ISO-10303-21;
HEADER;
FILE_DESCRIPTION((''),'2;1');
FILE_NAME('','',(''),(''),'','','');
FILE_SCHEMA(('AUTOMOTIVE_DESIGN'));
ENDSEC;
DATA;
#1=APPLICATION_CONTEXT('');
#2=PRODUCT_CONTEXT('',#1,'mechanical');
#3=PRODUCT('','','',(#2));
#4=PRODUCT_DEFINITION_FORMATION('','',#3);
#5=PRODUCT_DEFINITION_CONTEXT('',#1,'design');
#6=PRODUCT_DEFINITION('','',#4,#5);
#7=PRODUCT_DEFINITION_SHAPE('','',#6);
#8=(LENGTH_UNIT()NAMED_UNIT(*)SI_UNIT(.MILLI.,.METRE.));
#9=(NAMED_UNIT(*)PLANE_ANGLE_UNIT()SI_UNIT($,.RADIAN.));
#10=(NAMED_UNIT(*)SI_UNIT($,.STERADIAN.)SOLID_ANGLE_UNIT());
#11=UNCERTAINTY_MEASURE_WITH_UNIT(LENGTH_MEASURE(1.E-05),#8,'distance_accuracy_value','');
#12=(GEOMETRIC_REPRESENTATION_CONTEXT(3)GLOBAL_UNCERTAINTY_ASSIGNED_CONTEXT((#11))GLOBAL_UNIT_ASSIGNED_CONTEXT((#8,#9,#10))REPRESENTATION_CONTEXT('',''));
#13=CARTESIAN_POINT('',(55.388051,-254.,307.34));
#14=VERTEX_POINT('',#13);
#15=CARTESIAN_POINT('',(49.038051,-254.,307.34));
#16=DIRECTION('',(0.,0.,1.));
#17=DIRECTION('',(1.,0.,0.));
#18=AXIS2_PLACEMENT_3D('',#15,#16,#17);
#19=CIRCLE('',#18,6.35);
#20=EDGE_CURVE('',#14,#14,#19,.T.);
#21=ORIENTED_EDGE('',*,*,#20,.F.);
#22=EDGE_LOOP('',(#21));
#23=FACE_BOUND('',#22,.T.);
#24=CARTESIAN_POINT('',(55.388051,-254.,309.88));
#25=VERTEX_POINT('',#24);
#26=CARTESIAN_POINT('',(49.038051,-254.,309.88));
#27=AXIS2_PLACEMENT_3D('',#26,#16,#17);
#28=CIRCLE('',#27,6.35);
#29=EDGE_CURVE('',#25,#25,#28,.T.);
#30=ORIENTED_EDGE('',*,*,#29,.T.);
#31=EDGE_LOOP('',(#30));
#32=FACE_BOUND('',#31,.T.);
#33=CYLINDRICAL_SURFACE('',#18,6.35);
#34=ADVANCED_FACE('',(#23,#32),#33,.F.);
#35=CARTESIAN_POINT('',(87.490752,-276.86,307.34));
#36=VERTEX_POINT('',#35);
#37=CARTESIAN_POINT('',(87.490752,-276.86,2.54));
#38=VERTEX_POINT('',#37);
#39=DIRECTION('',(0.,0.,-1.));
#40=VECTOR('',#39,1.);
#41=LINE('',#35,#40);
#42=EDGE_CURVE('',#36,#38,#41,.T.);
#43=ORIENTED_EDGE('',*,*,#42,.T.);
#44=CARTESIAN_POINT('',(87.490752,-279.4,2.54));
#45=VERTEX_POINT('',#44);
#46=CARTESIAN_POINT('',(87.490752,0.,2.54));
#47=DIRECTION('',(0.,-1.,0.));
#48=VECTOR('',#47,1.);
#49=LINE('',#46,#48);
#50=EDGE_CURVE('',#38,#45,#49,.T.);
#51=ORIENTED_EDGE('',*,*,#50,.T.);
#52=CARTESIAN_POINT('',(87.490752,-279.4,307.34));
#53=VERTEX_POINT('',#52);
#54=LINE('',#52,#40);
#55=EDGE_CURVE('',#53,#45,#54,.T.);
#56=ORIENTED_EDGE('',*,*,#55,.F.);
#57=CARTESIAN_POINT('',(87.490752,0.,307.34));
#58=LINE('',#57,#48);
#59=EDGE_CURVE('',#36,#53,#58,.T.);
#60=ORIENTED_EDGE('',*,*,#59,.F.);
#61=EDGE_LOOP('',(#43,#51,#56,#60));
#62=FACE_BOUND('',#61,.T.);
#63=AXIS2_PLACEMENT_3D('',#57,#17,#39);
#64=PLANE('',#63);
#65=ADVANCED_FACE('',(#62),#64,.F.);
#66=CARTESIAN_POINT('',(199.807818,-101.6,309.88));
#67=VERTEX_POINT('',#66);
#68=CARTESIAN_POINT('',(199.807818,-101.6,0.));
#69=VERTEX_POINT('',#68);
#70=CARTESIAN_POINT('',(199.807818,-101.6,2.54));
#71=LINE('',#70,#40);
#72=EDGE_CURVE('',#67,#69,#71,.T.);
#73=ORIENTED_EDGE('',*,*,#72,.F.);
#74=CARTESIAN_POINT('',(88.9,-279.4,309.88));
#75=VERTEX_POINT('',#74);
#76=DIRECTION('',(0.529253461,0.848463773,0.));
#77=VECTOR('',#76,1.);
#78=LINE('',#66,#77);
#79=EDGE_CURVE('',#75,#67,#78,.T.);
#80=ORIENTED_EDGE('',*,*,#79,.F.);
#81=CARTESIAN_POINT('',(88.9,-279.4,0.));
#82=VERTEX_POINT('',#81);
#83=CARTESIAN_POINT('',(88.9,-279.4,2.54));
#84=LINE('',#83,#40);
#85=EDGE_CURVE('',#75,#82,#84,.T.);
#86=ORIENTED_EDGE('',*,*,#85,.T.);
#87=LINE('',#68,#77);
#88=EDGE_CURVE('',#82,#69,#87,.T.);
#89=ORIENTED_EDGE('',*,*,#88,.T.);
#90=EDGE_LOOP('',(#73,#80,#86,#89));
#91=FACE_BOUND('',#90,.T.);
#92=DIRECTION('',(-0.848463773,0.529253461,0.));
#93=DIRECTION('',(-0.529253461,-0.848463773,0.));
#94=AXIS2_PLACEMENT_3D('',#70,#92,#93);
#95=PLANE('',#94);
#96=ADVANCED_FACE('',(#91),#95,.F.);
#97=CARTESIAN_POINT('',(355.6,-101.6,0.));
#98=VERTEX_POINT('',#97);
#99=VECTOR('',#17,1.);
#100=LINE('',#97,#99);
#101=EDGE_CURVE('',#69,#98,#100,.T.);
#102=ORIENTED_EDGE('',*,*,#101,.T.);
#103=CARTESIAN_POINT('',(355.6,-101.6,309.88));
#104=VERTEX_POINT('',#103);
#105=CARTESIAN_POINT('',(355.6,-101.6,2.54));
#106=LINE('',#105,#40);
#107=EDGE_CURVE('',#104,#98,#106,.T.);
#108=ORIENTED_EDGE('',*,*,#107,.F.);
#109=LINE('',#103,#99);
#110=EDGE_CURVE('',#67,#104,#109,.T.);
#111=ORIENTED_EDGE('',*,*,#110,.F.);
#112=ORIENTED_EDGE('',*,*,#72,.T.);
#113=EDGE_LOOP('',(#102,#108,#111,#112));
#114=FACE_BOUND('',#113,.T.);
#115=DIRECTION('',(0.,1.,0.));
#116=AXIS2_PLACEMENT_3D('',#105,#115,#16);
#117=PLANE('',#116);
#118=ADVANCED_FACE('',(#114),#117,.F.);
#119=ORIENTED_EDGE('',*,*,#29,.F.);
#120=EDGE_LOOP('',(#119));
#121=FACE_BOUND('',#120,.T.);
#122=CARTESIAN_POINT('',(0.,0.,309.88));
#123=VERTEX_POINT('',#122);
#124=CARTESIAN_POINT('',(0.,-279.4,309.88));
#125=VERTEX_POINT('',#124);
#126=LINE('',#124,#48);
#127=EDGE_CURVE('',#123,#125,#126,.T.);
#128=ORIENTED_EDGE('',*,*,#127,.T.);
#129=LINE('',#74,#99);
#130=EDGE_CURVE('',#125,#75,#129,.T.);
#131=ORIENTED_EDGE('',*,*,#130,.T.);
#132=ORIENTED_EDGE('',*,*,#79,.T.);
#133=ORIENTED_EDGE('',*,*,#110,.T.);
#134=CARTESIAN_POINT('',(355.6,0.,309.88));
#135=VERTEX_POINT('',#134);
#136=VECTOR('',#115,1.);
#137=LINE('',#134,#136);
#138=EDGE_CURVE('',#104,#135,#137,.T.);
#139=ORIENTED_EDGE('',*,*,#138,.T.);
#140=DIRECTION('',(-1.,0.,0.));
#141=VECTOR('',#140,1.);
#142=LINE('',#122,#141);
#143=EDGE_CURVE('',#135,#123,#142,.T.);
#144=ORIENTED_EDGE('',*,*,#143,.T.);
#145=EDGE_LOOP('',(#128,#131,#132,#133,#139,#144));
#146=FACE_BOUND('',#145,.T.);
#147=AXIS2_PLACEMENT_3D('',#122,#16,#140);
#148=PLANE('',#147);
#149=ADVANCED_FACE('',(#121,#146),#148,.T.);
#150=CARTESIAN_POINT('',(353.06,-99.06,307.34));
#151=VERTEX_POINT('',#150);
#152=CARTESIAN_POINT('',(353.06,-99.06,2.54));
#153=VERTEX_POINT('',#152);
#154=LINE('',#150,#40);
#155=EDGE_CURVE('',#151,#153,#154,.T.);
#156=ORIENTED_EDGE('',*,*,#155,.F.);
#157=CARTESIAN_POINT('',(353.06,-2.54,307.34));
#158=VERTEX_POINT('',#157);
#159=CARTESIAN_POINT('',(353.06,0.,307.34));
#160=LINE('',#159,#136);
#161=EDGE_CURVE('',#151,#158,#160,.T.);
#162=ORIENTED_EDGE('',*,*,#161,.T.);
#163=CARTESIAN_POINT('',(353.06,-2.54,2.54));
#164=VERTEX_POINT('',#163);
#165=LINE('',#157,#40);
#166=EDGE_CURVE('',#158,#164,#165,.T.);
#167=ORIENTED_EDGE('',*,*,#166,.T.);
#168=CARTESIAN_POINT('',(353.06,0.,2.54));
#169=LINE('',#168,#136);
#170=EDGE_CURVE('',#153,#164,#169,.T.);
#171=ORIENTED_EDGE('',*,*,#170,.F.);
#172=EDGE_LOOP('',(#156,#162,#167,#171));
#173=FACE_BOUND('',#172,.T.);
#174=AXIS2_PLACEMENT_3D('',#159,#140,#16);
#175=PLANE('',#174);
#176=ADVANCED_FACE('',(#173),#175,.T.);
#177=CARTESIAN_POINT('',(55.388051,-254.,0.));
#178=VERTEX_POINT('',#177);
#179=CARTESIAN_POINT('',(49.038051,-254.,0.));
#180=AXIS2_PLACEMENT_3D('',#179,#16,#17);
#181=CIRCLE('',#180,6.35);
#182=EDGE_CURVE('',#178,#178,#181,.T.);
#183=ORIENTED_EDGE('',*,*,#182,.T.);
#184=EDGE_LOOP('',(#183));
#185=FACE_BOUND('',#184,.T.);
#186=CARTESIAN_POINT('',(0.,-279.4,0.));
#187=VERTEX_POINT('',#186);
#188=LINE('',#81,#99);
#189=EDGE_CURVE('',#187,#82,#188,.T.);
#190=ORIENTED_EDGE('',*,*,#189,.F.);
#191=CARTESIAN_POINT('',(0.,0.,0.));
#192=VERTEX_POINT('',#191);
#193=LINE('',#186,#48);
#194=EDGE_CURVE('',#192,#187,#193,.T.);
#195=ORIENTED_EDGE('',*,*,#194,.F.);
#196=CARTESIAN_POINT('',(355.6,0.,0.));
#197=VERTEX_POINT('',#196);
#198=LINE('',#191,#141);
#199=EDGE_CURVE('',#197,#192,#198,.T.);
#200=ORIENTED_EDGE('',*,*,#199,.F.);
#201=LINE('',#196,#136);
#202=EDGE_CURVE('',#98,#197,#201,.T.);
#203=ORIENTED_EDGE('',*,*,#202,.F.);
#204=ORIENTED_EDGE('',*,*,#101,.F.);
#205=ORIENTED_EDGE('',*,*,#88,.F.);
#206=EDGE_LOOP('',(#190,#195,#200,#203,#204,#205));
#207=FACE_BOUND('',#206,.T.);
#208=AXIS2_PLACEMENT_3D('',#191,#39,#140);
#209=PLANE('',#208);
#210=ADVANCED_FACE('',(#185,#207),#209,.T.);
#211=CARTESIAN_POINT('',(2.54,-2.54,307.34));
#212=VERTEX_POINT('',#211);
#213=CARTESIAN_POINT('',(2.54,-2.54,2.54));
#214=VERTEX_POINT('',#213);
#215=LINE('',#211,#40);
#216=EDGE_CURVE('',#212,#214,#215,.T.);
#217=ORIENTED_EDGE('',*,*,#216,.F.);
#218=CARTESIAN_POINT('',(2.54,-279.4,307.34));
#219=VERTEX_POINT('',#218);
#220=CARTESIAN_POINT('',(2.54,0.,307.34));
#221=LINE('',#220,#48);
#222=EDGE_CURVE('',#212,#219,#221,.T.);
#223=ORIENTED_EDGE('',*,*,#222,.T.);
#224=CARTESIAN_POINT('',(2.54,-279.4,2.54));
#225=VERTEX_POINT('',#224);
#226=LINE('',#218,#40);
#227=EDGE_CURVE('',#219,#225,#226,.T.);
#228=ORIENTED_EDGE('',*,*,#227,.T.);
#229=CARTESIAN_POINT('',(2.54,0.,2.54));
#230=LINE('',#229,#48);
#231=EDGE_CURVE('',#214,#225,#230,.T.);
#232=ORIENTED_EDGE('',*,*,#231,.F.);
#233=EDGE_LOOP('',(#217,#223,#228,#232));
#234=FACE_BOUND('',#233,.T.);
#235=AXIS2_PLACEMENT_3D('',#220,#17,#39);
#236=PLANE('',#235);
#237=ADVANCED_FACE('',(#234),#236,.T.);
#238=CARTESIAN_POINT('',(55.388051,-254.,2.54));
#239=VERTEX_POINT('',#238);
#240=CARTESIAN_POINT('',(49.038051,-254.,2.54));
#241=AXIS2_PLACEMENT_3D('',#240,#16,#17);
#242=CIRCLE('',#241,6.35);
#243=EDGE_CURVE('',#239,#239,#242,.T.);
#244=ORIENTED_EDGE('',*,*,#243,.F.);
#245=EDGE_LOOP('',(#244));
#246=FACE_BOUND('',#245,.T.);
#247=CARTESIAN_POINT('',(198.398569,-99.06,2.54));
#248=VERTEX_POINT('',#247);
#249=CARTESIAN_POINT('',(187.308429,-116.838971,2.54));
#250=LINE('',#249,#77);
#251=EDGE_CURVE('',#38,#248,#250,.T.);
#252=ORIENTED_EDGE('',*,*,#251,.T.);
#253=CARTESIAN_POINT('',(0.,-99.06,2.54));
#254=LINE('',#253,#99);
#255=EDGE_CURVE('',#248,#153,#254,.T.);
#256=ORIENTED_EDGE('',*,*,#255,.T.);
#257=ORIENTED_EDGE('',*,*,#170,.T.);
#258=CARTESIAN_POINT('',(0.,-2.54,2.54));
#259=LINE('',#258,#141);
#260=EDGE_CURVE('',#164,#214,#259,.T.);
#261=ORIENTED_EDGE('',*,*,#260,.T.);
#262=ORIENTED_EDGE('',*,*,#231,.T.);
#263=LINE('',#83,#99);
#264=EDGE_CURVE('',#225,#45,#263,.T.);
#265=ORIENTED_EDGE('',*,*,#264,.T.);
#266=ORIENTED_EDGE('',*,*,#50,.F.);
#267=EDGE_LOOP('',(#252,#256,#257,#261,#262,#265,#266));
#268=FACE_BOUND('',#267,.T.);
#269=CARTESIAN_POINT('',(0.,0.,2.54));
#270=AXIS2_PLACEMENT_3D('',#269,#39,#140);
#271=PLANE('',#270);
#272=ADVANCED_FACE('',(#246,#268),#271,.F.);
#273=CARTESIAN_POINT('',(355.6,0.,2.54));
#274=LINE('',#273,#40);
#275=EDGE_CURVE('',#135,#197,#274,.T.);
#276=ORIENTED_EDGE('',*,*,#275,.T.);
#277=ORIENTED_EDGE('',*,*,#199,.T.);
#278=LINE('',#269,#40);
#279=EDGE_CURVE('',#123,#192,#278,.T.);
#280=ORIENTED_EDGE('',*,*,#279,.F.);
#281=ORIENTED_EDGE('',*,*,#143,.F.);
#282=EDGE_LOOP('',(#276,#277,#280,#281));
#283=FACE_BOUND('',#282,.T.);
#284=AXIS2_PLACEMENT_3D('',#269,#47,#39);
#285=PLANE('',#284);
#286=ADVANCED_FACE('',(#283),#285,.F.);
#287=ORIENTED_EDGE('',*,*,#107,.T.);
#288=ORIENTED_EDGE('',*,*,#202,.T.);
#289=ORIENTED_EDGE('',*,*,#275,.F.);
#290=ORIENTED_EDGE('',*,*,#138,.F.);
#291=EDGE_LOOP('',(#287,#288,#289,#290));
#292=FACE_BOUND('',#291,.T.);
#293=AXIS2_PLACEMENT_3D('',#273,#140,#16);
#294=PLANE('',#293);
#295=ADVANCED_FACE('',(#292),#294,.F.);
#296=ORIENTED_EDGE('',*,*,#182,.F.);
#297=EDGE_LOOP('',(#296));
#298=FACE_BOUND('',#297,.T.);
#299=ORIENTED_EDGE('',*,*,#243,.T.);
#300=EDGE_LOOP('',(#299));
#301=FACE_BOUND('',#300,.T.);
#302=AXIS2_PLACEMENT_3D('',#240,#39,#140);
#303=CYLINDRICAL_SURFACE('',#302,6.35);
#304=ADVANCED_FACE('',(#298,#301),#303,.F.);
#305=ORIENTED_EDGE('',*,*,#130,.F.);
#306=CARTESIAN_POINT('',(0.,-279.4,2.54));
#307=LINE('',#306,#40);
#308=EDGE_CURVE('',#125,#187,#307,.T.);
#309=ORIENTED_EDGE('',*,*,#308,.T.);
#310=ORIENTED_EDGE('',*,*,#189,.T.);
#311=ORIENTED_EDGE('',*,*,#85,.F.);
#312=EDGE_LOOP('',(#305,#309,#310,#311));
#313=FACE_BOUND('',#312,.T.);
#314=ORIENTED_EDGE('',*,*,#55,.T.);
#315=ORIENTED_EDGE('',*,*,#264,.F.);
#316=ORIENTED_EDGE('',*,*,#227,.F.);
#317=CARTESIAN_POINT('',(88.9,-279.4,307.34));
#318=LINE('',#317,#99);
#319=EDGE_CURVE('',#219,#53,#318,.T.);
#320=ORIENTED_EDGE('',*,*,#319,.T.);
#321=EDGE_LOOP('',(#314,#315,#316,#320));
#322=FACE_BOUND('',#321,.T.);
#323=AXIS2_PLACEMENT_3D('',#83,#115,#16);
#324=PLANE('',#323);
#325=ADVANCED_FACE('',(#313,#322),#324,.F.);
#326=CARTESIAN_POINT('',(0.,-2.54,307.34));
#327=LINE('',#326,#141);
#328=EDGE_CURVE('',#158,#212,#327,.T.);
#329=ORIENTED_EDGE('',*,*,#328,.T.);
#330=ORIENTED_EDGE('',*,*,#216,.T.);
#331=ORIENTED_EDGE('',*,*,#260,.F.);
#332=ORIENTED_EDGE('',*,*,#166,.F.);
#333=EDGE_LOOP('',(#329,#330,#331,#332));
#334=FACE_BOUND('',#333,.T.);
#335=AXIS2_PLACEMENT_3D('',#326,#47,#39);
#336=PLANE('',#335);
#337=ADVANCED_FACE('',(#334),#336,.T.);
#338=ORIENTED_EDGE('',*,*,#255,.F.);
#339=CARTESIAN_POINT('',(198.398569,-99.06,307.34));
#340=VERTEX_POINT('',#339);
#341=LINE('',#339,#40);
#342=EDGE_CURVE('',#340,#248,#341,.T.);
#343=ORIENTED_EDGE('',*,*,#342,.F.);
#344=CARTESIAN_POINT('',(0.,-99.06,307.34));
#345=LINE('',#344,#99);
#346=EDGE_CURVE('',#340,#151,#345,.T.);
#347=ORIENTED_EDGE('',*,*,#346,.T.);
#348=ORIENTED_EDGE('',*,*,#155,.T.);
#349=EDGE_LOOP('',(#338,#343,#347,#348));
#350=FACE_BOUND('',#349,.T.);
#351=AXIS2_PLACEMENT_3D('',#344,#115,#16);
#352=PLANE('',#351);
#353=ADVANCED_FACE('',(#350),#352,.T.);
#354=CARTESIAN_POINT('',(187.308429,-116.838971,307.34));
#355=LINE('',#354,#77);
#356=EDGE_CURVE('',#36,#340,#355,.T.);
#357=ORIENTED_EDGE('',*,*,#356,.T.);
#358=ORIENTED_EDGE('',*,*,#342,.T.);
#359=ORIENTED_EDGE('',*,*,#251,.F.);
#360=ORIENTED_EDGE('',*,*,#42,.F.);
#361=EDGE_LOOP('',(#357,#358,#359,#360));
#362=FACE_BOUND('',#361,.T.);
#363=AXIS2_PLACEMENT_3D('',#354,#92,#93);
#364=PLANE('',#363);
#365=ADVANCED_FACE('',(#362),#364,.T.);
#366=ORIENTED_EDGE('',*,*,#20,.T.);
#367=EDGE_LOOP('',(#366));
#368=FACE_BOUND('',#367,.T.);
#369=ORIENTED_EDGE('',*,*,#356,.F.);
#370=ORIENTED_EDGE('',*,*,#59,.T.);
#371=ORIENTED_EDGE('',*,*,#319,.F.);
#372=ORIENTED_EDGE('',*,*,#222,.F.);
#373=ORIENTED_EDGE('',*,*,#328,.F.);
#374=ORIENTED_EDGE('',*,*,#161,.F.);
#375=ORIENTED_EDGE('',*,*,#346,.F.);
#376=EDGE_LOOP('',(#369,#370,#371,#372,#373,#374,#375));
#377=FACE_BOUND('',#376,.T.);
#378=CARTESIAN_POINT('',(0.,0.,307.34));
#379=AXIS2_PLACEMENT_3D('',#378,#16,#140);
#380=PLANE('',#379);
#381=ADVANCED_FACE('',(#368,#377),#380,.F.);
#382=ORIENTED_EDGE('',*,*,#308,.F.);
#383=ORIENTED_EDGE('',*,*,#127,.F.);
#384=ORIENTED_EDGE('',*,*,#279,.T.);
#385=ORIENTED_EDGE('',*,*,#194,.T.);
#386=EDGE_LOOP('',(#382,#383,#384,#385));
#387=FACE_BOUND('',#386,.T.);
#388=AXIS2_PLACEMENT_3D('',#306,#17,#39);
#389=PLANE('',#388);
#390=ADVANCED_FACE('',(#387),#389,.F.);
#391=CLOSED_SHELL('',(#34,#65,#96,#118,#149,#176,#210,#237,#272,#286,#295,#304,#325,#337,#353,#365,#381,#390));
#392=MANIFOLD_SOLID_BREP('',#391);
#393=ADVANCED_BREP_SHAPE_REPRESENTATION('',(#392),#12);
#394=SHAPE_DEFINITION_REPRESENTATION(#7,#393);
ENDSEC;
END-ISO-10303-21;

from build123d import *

# Parameters (mm, degrees)
SKETCH2_R           = 6.35
BOSS_EXTRUDE1_DEPTH = 2.54
BOSS_EXTRUDE2_DEPTH = 304.8


with BuildPart() as part:
    # Sketch2 → Boss-Extrude1 (new body)
    with BuildSketch(Plane.XY):
        Polygon((0, 0), (355.6, 0), (355.6, -101.6), (199.80781759, -101.6), (88.9, -279.4), (0, -279.4), align=None)
        with Locations((49.038050814, -254)):
            Circle(SKETCH2_R, mode=Mode.SUBTRACT)
    boss_extrude1 = extrude(amount=BOSS_EXTRUDE1_DEPTH)

    # Sketch3 → Boss-Extrude2 (add)
    with BuildSketch(Plane.XY.offset(2.54)):
        Polygon((2.54, -279.4), (2.54, -276.86), (2.54, -2.54), (353.06, -2.54), (353.06, -99.06), (198.398569196, -99.06), (87.490751606, -276.86), (87.490751606, -279.4), (88.9, -279.4), (199.80781759, -101.6), (355.6, -101.6), (355.6, 0), (0, 0), (0, -279.4), align=None)
    extrude(amount=BOSS_EXTRUDE2_DEPTH)

    # Mirror1: Boss-Extrude1 across plane
    add(boss_extrude1.mirror(Plane.XY.offset(154.94)))


solid = part.part
